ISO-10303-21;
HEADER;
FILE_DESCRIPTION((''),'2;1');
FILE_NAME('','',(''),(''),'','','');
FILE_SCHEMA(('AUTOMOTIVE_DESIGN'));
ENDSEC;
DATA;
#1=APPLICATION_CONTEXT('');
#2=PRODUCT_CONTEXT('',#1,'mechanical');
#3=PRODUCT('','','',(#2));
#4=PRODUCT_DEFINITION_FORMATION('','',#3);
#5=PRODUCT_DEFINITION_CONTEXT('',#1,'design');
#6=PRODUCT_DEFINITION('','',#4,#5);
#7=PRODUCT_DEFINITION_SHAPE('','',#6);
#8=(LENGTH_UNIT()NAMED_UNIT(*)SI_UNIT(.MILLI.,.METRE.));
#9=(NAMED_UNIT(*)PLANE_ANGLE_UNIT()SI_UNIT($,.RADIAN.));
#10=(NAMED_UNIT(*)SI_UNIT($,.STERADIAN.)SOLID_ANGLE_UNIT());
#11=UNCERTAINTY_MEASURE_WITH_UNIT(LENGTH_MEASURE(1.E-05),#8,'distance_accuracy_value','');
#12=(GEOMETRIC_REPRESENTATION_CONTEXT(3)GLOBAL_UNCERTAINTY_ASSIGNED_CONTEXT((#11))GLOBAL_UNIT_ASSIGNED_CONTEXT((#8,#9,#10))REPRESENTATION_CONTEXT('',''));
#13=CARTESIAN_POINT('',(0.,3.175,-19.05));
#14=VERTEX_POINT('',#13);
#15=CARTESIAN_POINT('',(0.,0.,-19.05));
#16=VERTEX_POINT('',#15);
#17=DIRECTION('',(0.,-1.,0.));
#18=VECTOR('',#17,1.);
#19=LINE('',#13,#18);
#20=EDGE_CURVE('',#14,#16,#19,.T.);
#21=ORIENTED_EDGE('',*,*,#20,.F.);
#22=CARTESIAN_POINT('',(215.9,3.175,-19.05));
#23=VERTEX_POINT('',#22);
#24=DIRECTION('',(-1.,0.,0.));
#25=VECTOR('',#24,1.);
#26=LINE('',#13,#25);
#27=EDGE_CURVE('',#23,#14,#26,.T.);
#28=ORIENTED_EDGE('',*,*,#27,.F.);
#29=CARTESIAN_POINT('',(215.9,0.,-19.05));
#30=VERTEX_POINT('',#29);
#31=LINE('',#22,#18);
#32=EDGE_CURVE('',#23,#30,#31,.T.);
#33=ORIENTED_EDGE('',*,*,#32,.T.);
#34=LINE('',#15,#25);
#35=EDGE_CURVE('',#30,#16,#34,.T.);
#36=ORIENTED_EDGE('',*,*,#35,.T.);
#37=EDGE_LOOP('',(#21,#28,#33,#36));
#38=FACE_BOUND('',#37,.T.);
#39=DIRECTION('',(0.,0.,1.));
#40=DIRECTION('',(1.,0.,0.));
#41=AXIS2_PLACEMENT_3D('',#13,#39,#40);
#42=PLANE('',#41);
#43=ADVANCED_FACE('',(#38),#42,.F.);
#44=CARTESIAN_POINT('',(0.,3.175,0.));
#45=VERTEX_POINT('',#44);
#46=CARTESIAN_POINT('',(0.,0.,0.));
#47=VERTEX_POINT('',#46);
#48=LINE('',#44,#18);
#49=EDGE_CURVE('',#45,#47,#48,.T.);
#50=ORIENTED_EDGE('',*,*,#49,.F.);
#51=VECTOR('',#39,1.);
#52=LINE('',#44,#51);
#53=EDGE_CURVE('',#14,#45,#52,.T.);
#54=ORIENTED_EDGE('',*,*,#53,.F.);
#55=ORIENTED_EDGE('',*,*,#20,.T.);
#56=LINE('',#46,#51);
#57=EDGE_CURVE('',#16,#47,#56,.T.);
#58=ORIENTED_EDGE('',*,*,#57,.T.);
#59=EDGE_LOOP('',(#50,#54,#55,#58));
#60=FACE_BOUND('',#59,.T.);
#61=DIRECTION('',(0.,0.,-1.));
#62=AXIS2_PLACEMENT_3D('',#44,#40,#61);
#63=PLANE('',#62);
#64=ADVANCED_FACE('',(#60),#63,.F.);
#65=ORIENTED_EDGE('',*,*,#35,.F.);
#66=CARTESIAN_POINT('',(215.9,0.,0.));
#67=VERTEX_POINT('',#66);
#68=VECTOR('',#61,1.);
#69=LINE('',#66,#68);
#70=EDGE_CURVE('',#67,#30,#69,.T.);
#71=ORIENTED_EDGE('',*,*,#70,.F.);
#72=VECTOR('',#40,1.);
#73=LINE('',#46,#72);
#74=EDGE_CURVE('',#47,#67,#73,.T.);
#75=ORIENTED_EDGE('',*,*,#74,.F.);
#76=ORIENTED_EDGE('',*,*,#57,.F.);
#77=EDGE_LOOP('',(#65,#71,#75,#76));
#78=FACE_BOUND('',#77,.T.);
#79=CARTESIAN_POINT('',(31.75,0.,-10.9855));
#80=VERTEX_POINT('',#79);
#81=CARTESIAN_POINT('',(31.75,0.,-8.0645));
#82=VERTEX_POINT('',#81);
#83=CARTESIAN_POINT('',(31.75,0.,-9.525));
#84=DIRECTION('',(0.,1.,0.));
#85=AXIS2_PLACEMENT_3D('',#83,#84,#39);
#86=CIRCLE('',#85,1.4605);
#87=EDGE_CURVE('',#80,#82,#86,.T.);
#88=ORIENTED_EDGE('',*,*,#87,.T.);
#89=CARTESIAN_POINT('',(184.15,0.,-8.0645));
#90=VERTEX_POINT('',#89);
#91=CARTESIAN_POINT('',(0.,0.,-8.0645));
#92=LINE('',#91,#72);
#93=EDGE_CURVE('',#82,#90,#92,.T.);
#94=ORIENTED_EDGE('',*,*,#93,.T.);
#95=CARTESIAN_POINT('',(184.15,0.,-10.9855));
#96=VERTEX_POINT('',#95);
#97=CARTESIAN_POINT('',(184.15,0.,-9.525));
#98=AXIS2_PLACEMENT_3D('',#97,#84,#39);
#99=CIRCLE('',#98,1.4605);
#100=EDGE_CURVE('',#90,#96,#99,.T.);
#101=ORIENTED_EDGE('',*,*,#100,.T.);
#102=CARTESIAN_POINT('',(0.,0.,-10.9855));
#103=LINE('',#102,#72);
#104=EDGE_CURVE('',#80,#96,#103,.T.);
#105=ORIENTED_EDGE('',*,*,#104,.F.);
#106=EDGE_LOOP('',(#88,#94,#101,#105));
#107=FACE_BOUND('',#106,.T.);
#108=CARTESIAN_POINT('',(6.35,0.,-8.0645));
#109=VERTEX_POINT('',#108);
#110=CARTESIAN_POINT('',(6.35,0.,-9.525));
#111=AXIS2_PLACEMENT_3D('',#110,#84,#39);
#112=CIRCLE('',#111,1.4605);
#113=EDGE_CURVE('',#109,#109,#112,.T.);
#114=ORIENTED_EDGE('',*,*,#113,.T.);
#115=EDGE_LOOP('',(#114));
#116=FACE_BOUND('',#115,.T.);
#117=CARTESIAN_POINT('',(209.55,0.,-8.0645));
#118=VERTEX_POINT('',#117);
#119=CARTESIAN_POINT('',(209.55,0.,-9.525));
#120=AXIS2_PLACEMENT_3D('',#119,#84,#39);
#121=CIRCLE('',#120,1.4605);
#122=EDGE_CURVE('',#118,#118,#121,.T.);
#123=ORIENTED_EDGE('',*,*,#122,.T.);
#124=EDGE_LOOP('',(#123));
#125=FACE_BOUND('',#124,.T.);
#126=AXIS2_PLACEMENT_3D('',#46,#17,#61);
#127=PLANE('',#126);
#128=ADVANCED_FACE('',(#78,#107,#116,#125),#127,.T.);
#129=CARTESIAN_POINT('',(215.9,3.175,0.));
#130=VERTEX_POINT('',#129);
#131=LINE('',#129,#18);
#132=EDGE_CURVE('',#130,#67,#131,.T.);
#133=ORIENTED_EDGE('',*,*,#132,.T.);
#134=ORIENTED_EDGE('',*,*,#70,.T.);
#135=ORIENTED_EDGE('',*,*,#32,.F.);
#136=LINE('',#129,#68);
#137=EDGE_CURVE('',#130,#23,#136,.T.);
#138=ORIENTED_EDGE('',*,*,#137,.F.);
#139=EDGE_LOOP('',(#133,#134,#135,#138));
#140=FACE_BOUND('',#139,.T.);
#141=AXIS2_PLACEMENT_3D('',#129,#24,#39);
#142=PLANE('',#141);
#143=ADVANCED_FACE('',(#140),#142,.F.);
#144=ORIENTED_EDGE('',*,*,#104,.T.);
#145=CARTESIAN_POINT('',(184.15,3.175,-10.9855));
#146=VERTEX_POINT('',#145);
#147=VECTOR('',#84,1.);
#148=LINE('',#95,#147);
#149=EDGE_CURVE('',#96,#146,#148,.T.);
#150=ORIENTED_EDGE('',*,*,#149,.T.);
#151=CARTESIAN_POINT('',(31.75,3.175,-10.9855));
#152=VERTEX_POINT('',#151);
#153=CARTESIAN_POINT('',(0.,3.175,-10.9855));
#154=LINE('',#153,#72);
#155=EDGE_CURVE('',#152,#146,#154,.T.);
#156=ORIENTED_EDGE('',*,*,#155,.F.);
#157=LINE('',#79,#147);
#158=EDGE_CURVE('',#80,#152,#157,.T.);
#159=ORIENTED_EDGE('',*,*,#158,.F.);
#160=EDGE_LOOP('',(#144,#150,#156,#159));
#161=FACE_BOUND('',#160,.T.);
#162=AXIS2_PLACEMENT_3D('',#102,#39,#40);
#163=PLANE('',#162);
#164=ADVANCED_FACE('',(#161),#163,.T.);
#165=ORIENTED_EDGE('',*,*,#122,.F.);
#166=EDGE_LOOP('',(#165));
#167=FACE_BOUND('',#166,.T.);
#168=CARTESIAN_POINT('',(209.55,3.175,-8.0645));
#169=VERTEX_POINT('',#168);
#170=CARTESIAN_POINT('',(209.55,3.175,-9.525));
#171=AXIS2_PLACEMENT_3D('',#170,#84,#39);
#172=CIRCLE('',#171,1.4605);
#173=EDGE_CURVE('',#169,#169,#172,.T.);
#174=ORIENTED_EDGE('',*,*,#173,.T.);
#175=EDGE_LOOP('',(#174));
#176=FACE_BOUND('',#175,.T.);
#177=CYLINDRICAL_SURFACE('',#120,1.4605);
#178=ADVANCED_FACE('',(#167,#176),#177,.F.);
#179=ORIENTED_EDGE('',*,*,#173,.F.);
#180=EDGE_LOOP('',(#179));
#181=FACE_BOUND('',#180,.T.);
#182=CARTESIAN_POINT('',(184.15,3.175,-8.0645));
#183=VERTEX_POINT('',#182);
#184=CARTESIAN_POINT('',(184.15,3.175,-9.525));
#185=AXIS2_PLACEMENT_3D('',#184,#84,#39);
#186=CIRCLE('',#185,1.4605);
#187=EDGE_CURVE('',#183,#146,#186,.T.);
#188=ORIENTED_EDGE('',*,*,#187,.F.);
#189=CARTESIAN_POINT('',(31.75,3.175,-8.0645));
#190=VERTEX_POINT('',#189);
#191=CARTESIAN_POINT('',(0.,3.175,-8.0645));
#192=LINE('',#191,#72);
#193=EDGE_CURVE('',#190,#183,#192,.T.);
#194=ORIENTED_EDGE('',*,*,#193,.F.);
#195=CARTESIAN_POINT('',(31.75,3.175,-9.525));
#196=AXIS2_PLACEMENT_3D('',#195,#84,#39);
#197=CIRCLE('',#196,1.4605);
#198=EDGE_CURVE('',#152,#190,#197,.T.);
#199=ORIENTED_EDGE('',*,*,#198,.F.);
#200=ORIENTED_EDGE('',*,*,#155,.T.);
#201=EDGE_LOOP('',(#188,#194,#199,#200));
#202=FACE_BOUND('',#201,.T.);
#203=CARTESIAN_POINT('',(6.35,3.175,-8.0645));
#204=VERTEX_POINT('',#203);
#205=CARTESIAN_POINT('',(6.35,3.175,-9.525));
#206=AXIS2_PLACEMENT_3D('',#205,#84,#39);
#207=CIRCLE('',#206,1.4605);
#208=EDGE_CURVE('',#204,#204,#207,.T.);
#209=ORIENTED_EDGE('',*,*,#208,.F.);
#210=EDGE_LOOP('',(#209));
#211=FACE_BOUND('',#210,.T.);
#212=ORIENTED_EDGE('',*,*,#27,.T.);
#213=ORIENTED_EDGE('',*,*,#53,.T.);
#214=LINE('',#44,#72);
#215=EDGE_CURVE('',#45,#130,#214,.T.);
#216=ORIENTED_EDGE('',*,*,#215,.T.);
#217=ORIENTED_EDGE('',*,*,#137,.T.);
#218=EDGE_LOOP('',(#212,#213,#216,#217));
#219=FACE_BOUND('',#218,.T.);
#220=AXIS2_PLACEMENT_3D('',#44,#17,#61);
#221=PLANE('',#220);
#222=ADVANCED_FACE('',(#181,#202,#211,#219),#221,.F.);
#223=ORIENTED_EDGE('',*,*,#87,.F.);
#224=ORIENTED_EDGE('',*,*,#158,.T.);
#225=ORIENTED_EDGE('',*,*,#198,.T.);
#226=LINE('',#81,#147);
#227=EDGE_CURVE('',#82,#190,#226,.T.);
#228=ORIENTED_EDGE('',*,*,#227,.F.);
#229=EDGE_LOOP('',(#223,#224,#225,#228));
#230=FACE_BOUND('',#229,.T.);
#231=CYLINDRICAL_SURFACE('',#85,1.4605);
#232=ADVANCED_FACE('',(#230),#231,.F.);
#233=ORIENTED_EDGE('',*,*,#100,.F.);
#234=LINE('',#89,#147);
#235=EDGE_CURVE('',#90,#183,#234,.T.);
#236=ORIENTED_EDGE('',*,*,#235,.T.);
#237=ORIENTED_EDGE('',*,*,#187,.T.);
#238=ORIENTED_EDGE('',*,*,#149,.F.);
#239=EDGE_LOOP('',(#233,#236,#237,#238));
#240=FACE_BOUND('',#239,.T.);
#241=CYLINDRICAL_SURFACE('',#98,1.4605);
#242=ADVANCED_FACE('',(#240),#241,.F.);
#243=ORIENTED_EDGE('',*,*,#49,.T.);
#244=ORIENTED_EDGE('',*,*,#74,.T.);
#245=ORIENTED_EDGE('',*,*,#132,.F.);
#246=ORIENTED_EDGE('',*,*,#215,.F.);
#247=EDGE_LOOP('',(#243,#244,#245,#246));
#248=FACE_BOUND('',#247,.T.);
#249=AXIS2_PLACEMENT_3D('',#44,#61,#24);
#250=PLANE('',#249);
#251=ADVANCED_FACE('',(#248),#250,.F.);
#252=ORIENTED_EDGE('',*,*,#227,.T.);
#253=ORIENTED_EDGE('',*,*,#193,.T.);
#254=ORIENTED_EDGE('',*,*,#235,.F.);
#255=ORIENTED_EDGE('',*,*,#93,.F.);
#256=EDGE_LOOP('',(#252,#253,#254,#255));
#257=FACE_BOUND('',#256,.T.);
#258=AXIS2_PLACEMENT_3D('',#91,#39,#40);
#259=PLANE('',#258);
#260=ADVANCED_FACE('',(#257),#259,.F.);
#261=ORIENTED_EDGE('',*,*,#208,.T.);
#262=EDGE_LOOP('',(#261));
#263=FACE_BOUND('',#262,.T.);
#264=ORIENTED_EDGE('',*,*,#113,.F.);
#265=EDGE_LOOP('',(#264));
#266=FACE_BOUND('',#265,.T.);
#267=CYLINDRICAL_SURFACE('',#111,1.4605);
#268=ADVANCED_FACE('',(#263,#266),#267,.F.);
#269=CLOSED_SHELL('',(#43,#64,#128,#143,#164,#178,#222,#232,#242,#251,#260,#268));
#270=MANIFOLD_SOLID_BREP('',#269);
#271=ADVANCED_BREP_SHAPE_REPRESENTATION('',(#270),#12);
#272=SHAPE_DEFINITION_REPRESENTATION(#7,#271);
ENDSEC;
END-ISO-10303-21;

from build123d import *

# Parameters (mm, degrees)
SKETCH1_W           = 215.9
SKETCH1_H           = 19.05
BOSS_EXTRUDE1_DEPTH = 3.175
SKETCH3_R           = 1.4605
CUT_EXTRUDE5_DEPTH  = 217.762065696


with BuildPart() as part:
    # Sketch1 → Boss-Extrude1 (new body)
    with BuildSketch(Plane(origin=(0, 0, 0), x_dir=(1, 0, 0), z_dir=(0, 1, 0))):
        with Locations((107.95, 9.525)):
            Rectangle(SKETCH1_W, SKETCH1_H)
    extrude(amount=BOSS_EXTRUDE1_DEPTH)

    # Sketch3 → Cut-Extrude5 (cut, through all)
    with BuildSketch(Plane(origin=(0, 3.175, 0), x_dir=(1, 0, 0), z_dir=(0, 1, 0))):
        with BuildLine():
            Line((184.15, 10.9855), (31.75, 10.9855))
            ThreePointArc((31.75, 10.9855), (30.2895, 9.525), (31.75, 8.0645))
            Line((31.75, 8.0645), (184.15, 8.0645))
            ThreePointArc((184.15, 8.0645), (185.6105, 9.525), (184.15, 10.9855))
        make_face()
        with Locations(Location((6.35, 9.525, 0), (0, 0, 270))):
            Circle(SKETCH3_R)
        with Locations(Location((209.55, 9.525, 0), (0, 0, 270))):
            Circle(SKETCH3_R)
    extrude(amount=-CUT_EXTRUDE5_DEPTH, mode=Mode.SUBTRACT)


solid = part.part
